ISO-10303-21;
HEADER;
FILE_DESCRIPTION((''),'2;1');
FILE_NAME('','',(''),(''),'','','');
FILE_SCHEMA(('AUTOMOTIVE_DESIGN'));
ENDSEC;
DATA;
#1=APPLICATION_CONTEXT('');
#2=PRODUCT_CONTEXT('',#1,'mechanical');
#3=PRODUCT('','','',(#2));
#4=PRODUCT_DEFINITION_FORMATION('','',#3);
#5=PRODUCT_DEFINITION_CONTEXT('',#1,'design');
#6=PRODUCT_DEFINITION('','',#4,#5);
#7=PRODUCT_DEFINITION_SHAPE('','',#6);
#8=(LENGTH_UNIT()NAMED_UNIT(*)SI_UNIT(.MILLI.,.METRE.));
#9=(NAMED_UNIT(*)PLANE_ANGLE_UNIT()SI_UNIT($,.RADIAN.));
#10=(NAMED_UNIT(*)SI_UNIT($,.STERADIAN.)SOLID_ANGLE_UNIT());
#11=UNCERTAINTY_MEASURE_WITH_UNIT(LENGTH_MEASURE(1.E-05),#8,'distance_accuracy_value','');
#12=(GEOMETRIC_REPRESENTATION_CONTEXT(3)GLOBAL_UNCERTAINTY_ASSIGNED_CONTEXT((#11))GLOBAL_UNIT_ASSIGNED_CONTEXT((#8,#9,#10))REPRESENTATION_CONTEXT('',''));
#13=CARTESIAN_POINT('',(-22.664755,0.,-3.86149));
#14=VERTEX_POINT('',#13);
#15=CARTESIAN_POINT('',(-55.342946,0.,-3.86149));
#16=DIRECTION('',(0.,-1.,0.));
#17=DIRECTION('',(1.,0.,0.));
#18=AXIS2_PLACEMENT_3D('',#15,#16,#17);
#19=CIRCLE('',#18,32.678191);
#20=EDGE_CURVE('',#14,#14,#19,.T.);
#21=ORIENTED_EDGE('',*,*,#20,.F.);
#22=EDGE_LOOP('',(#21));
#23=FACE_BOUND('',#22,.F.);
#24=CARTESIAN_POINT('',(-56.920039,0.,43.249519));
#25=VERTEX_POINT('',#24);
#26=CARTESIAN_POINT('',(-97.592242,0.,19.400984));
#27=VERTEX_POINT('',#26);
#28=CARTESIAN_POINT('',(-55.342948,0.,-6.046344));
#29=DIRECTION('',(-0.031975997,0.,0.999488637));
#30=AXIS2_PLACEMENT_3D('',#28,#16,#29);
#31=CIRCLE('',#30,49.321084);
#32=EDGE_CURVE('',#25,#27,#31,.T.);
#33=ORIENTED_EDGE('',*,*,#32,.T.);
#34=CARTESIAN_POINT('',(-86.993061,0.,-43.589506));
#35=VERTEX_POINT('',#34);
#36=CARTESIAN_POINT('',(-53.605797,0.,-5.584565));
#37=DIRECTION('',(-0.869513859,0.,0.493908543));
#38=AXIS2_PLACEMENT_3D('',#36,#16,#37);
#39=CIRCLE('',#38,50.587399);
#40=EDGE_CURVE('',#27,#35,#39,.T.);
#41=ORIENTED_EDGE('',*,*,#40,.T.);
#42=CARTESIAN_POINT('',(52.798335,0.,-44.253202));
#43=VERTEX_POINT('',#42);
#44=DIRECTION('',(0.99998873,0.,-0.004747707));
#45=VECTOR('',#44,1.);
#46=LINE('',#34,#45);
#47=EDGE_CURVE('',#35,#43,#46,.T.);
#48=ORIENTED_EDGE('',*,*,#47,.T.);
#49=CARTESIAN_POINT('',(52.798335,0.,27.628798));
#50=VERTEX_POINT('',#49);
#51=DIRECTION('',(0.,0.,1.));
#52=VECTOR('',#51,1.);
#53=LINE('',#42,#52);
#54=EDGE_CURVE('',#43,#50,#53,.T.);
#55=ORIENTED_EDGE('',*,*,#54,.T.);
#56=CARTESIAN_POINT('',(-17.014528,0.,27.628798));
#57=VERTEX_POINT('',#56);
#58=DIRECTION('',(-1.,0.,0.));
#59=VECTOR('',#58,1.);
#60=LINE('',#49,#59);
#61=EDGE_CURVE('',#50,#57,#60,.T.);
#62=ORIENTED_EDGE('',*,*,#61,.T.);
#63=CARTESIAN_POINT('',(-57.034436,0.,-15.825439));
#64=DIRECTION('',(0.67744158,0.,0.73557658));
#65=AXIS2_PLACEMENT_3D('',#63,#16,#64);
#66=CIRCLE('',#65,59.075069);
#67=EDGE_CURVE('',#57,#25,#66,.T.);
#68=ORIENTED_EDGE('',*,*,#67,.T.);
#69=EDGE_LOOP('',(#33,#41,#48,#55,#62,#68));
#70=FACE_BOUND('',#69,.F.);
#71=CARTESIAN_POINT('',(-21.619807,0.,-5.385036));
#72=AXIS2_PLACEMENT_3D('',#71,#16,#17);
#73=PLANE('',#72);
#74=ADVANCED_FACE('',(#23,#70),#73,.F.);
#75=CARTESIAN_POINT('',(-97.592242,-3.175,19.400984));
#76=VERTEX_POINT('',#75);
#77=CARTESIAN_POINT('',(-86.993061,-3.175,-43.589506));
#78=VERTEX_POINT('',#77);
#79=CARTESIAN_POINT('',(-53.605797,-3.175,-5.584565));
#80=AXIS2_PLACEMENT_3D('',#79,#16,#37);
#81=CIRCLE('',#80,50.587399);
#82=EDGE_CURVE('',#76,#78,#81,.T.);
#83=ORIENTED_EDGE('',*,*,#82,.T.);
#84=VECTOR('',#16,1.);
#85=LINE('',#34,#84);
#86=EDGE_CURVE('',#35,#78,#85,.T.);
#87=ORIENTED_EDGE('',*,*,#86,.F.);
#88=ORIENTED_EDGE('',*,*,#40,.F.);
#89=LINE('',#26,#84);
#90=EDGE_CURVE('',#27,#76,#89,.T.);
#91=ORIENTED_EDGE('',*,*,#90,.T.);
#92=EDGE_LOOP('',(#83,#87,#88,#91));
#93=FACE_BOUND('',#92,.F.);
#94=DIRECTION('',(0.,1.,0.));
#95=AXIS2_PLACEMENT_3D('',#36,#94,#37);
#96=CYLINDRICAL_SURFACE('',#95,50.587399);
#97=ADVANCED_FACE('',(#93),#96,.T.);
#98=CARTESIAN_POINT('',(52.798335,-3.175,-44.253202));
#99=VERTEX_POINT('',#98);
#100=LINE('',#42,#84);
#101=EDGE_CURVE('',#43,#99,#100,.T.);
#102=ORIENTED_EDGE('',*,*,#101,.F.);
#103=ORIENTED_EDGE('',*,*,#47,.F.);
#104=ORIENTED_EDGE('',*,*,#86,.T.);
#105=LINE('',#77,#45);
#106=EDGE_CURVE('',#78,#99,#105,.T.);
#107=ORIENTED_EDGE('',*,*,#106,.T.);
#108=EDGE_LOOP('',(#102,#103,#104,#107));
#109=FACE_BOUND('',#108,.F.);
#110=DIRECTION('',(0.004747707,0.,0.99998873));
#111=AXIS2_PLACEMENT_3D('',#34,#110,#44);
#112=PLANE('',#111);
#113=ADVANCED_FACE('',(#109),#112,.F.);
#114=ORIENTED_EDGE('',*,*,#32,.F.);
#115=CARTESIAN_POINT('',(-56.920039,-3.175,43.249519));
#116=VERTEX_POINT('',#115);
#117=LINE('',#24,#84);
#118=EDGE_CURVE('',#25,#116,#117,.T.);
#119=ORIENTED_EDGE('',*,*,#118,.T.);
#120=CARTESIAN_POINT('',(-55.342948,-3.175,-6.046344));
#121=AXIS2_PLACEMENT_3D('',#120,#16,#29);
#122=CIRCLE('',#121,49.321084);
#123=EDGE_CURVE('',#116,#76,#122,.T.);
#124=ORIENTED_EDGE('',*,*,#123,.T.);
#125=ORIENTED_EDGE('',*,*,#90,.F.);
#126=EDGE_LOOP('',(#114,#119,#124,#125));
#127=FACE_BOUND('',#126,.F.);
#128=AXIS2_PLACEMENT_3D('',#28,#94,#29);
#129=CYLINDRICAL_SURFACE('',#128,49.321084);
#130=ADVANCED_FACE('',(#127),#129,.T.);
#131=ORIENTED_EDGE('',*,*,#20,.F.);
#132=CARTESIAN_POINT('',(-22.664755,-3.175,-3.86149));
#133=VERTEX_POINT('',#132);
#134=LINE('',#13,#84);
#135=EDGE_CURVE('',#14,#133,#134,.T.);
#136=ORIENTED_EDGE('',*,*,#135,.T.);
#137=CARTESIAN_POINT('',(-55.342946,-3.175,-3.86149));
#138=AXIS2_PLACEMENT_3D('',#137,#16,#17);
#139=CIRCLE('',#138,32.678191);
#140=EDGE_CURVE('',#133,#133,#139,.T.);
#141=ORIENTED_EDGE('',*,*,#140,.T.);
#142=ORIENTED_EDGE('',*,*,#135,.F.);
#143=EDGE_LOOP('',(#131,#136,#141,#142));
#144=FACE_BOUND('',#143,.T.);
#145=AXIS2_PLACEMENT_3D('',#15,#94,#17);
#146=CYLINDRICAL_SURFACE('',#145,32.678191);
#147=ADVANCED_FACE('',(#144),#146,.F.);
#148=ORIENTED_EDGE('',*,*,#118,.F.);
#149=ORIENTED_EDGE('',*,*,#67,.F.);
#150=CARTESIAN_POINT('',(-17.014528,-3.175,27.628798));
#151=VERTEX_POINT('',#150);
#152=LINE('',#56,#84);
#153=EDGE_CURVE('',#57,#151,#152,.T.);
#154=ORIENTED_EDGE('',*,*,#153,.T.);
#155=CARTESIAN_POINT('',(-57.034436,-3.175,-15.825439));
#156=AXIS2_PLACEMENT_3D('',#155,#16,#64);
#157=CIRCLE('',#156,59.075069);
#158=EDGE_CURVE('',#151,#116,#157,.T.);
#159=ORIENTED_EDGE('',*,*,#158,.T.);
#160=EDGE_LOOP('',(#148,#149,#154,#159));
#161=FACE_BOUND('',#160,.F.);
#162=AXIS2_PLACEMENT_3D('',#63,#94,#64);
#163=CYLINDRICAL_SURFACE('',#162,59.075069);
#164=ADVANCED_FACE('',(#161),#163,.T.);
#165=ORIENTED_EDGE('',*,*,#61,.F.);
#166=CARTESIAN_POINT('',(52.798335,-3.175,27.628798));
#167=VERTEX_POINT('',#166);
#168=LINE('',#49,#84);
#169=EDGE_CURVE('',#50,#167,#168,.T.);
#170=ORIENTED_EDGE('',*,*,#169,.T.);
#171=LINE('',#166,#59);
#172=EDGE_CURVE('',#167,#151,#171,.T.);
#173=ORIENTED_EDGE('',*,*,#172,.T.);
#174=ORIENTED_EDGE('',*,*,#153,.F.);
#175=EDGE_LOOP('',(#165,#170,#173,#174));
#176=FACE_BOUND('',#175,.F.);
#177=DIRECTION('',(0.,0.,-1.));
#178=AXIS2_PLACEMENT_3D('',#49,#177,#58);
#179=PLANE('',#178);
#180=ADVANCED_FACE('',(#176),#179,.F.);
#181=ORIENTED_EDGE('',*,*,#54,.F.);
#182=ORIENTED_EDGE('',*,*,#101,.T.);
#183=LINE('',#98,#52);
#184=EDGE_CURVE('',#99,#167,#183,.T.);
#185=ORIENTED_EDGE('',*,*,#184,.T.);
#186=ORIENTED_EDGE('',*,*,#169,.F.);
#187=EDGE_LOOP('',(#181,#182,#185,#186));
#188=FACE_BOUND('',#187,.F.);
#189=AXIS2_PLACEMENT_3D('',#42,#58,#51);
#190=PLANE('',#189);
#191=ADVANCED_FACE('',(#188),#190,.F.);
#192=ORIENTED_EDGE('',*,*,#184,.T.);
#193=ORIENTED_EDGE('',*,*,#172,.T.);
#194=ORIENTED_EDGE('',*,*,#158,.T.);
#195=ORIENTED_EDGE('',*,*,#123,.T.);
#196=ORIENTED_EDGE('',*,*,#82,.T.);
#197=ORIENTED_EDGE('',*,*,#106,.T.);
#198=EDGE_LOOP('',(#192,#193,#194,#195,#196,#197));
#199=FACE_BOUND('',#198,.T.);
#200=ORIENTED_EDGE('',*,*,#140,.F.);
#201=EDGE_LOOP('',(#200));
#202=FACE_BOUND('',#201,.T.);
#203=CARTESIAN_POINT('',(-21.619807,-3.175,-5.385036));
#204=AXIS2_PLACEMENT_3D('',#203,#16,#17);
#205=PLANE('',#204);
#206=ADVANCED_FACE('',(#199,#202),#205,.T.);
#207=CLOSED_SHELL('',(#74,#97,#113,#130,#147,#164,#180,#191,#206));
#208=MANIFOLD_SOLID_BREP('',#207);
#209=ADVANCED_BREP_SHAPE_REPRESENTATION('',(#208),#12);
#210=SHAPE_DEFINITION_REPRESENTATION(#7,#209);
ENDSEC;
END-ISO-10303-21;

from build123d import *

# Parameters (mm, degrees)
F0_R     = 32.678191
F1_DEPTH = 3.175


with BuildPart() as f1:
    # F0 (on Front) → F1 (new body)
    with BuildSketch(Plane.XZ):
        with BuildLine():
            Line((52.798335, -44.253202), (52.798335, 27.628798))
            Line((52.798335, 27.628798), (-17.014528, 27.628798))
            ThreePointArc((-17.014528, 27.628798), (-35.500919, 39.185209), (-56.920039, 43.249519))
            ThreePointArc((-56.920039, 43.249519), (-80.290416, 36.500021), (-97.592242, 19.400984))
            ThreePointArc((-97.592242, 19.400984), (-103.491899, -13.978718), (-86.993061, -43.589506))
            Line((-86.993061, -43.589506), (52.798335, -44.253202))
        make_face()
        with Locations((-55.342946, -3.86149)):
            Circle(F0_R, mode=Mode.SUBTRACT)
    extrude(amount=F1_DEPTH)


solid = f1.part
